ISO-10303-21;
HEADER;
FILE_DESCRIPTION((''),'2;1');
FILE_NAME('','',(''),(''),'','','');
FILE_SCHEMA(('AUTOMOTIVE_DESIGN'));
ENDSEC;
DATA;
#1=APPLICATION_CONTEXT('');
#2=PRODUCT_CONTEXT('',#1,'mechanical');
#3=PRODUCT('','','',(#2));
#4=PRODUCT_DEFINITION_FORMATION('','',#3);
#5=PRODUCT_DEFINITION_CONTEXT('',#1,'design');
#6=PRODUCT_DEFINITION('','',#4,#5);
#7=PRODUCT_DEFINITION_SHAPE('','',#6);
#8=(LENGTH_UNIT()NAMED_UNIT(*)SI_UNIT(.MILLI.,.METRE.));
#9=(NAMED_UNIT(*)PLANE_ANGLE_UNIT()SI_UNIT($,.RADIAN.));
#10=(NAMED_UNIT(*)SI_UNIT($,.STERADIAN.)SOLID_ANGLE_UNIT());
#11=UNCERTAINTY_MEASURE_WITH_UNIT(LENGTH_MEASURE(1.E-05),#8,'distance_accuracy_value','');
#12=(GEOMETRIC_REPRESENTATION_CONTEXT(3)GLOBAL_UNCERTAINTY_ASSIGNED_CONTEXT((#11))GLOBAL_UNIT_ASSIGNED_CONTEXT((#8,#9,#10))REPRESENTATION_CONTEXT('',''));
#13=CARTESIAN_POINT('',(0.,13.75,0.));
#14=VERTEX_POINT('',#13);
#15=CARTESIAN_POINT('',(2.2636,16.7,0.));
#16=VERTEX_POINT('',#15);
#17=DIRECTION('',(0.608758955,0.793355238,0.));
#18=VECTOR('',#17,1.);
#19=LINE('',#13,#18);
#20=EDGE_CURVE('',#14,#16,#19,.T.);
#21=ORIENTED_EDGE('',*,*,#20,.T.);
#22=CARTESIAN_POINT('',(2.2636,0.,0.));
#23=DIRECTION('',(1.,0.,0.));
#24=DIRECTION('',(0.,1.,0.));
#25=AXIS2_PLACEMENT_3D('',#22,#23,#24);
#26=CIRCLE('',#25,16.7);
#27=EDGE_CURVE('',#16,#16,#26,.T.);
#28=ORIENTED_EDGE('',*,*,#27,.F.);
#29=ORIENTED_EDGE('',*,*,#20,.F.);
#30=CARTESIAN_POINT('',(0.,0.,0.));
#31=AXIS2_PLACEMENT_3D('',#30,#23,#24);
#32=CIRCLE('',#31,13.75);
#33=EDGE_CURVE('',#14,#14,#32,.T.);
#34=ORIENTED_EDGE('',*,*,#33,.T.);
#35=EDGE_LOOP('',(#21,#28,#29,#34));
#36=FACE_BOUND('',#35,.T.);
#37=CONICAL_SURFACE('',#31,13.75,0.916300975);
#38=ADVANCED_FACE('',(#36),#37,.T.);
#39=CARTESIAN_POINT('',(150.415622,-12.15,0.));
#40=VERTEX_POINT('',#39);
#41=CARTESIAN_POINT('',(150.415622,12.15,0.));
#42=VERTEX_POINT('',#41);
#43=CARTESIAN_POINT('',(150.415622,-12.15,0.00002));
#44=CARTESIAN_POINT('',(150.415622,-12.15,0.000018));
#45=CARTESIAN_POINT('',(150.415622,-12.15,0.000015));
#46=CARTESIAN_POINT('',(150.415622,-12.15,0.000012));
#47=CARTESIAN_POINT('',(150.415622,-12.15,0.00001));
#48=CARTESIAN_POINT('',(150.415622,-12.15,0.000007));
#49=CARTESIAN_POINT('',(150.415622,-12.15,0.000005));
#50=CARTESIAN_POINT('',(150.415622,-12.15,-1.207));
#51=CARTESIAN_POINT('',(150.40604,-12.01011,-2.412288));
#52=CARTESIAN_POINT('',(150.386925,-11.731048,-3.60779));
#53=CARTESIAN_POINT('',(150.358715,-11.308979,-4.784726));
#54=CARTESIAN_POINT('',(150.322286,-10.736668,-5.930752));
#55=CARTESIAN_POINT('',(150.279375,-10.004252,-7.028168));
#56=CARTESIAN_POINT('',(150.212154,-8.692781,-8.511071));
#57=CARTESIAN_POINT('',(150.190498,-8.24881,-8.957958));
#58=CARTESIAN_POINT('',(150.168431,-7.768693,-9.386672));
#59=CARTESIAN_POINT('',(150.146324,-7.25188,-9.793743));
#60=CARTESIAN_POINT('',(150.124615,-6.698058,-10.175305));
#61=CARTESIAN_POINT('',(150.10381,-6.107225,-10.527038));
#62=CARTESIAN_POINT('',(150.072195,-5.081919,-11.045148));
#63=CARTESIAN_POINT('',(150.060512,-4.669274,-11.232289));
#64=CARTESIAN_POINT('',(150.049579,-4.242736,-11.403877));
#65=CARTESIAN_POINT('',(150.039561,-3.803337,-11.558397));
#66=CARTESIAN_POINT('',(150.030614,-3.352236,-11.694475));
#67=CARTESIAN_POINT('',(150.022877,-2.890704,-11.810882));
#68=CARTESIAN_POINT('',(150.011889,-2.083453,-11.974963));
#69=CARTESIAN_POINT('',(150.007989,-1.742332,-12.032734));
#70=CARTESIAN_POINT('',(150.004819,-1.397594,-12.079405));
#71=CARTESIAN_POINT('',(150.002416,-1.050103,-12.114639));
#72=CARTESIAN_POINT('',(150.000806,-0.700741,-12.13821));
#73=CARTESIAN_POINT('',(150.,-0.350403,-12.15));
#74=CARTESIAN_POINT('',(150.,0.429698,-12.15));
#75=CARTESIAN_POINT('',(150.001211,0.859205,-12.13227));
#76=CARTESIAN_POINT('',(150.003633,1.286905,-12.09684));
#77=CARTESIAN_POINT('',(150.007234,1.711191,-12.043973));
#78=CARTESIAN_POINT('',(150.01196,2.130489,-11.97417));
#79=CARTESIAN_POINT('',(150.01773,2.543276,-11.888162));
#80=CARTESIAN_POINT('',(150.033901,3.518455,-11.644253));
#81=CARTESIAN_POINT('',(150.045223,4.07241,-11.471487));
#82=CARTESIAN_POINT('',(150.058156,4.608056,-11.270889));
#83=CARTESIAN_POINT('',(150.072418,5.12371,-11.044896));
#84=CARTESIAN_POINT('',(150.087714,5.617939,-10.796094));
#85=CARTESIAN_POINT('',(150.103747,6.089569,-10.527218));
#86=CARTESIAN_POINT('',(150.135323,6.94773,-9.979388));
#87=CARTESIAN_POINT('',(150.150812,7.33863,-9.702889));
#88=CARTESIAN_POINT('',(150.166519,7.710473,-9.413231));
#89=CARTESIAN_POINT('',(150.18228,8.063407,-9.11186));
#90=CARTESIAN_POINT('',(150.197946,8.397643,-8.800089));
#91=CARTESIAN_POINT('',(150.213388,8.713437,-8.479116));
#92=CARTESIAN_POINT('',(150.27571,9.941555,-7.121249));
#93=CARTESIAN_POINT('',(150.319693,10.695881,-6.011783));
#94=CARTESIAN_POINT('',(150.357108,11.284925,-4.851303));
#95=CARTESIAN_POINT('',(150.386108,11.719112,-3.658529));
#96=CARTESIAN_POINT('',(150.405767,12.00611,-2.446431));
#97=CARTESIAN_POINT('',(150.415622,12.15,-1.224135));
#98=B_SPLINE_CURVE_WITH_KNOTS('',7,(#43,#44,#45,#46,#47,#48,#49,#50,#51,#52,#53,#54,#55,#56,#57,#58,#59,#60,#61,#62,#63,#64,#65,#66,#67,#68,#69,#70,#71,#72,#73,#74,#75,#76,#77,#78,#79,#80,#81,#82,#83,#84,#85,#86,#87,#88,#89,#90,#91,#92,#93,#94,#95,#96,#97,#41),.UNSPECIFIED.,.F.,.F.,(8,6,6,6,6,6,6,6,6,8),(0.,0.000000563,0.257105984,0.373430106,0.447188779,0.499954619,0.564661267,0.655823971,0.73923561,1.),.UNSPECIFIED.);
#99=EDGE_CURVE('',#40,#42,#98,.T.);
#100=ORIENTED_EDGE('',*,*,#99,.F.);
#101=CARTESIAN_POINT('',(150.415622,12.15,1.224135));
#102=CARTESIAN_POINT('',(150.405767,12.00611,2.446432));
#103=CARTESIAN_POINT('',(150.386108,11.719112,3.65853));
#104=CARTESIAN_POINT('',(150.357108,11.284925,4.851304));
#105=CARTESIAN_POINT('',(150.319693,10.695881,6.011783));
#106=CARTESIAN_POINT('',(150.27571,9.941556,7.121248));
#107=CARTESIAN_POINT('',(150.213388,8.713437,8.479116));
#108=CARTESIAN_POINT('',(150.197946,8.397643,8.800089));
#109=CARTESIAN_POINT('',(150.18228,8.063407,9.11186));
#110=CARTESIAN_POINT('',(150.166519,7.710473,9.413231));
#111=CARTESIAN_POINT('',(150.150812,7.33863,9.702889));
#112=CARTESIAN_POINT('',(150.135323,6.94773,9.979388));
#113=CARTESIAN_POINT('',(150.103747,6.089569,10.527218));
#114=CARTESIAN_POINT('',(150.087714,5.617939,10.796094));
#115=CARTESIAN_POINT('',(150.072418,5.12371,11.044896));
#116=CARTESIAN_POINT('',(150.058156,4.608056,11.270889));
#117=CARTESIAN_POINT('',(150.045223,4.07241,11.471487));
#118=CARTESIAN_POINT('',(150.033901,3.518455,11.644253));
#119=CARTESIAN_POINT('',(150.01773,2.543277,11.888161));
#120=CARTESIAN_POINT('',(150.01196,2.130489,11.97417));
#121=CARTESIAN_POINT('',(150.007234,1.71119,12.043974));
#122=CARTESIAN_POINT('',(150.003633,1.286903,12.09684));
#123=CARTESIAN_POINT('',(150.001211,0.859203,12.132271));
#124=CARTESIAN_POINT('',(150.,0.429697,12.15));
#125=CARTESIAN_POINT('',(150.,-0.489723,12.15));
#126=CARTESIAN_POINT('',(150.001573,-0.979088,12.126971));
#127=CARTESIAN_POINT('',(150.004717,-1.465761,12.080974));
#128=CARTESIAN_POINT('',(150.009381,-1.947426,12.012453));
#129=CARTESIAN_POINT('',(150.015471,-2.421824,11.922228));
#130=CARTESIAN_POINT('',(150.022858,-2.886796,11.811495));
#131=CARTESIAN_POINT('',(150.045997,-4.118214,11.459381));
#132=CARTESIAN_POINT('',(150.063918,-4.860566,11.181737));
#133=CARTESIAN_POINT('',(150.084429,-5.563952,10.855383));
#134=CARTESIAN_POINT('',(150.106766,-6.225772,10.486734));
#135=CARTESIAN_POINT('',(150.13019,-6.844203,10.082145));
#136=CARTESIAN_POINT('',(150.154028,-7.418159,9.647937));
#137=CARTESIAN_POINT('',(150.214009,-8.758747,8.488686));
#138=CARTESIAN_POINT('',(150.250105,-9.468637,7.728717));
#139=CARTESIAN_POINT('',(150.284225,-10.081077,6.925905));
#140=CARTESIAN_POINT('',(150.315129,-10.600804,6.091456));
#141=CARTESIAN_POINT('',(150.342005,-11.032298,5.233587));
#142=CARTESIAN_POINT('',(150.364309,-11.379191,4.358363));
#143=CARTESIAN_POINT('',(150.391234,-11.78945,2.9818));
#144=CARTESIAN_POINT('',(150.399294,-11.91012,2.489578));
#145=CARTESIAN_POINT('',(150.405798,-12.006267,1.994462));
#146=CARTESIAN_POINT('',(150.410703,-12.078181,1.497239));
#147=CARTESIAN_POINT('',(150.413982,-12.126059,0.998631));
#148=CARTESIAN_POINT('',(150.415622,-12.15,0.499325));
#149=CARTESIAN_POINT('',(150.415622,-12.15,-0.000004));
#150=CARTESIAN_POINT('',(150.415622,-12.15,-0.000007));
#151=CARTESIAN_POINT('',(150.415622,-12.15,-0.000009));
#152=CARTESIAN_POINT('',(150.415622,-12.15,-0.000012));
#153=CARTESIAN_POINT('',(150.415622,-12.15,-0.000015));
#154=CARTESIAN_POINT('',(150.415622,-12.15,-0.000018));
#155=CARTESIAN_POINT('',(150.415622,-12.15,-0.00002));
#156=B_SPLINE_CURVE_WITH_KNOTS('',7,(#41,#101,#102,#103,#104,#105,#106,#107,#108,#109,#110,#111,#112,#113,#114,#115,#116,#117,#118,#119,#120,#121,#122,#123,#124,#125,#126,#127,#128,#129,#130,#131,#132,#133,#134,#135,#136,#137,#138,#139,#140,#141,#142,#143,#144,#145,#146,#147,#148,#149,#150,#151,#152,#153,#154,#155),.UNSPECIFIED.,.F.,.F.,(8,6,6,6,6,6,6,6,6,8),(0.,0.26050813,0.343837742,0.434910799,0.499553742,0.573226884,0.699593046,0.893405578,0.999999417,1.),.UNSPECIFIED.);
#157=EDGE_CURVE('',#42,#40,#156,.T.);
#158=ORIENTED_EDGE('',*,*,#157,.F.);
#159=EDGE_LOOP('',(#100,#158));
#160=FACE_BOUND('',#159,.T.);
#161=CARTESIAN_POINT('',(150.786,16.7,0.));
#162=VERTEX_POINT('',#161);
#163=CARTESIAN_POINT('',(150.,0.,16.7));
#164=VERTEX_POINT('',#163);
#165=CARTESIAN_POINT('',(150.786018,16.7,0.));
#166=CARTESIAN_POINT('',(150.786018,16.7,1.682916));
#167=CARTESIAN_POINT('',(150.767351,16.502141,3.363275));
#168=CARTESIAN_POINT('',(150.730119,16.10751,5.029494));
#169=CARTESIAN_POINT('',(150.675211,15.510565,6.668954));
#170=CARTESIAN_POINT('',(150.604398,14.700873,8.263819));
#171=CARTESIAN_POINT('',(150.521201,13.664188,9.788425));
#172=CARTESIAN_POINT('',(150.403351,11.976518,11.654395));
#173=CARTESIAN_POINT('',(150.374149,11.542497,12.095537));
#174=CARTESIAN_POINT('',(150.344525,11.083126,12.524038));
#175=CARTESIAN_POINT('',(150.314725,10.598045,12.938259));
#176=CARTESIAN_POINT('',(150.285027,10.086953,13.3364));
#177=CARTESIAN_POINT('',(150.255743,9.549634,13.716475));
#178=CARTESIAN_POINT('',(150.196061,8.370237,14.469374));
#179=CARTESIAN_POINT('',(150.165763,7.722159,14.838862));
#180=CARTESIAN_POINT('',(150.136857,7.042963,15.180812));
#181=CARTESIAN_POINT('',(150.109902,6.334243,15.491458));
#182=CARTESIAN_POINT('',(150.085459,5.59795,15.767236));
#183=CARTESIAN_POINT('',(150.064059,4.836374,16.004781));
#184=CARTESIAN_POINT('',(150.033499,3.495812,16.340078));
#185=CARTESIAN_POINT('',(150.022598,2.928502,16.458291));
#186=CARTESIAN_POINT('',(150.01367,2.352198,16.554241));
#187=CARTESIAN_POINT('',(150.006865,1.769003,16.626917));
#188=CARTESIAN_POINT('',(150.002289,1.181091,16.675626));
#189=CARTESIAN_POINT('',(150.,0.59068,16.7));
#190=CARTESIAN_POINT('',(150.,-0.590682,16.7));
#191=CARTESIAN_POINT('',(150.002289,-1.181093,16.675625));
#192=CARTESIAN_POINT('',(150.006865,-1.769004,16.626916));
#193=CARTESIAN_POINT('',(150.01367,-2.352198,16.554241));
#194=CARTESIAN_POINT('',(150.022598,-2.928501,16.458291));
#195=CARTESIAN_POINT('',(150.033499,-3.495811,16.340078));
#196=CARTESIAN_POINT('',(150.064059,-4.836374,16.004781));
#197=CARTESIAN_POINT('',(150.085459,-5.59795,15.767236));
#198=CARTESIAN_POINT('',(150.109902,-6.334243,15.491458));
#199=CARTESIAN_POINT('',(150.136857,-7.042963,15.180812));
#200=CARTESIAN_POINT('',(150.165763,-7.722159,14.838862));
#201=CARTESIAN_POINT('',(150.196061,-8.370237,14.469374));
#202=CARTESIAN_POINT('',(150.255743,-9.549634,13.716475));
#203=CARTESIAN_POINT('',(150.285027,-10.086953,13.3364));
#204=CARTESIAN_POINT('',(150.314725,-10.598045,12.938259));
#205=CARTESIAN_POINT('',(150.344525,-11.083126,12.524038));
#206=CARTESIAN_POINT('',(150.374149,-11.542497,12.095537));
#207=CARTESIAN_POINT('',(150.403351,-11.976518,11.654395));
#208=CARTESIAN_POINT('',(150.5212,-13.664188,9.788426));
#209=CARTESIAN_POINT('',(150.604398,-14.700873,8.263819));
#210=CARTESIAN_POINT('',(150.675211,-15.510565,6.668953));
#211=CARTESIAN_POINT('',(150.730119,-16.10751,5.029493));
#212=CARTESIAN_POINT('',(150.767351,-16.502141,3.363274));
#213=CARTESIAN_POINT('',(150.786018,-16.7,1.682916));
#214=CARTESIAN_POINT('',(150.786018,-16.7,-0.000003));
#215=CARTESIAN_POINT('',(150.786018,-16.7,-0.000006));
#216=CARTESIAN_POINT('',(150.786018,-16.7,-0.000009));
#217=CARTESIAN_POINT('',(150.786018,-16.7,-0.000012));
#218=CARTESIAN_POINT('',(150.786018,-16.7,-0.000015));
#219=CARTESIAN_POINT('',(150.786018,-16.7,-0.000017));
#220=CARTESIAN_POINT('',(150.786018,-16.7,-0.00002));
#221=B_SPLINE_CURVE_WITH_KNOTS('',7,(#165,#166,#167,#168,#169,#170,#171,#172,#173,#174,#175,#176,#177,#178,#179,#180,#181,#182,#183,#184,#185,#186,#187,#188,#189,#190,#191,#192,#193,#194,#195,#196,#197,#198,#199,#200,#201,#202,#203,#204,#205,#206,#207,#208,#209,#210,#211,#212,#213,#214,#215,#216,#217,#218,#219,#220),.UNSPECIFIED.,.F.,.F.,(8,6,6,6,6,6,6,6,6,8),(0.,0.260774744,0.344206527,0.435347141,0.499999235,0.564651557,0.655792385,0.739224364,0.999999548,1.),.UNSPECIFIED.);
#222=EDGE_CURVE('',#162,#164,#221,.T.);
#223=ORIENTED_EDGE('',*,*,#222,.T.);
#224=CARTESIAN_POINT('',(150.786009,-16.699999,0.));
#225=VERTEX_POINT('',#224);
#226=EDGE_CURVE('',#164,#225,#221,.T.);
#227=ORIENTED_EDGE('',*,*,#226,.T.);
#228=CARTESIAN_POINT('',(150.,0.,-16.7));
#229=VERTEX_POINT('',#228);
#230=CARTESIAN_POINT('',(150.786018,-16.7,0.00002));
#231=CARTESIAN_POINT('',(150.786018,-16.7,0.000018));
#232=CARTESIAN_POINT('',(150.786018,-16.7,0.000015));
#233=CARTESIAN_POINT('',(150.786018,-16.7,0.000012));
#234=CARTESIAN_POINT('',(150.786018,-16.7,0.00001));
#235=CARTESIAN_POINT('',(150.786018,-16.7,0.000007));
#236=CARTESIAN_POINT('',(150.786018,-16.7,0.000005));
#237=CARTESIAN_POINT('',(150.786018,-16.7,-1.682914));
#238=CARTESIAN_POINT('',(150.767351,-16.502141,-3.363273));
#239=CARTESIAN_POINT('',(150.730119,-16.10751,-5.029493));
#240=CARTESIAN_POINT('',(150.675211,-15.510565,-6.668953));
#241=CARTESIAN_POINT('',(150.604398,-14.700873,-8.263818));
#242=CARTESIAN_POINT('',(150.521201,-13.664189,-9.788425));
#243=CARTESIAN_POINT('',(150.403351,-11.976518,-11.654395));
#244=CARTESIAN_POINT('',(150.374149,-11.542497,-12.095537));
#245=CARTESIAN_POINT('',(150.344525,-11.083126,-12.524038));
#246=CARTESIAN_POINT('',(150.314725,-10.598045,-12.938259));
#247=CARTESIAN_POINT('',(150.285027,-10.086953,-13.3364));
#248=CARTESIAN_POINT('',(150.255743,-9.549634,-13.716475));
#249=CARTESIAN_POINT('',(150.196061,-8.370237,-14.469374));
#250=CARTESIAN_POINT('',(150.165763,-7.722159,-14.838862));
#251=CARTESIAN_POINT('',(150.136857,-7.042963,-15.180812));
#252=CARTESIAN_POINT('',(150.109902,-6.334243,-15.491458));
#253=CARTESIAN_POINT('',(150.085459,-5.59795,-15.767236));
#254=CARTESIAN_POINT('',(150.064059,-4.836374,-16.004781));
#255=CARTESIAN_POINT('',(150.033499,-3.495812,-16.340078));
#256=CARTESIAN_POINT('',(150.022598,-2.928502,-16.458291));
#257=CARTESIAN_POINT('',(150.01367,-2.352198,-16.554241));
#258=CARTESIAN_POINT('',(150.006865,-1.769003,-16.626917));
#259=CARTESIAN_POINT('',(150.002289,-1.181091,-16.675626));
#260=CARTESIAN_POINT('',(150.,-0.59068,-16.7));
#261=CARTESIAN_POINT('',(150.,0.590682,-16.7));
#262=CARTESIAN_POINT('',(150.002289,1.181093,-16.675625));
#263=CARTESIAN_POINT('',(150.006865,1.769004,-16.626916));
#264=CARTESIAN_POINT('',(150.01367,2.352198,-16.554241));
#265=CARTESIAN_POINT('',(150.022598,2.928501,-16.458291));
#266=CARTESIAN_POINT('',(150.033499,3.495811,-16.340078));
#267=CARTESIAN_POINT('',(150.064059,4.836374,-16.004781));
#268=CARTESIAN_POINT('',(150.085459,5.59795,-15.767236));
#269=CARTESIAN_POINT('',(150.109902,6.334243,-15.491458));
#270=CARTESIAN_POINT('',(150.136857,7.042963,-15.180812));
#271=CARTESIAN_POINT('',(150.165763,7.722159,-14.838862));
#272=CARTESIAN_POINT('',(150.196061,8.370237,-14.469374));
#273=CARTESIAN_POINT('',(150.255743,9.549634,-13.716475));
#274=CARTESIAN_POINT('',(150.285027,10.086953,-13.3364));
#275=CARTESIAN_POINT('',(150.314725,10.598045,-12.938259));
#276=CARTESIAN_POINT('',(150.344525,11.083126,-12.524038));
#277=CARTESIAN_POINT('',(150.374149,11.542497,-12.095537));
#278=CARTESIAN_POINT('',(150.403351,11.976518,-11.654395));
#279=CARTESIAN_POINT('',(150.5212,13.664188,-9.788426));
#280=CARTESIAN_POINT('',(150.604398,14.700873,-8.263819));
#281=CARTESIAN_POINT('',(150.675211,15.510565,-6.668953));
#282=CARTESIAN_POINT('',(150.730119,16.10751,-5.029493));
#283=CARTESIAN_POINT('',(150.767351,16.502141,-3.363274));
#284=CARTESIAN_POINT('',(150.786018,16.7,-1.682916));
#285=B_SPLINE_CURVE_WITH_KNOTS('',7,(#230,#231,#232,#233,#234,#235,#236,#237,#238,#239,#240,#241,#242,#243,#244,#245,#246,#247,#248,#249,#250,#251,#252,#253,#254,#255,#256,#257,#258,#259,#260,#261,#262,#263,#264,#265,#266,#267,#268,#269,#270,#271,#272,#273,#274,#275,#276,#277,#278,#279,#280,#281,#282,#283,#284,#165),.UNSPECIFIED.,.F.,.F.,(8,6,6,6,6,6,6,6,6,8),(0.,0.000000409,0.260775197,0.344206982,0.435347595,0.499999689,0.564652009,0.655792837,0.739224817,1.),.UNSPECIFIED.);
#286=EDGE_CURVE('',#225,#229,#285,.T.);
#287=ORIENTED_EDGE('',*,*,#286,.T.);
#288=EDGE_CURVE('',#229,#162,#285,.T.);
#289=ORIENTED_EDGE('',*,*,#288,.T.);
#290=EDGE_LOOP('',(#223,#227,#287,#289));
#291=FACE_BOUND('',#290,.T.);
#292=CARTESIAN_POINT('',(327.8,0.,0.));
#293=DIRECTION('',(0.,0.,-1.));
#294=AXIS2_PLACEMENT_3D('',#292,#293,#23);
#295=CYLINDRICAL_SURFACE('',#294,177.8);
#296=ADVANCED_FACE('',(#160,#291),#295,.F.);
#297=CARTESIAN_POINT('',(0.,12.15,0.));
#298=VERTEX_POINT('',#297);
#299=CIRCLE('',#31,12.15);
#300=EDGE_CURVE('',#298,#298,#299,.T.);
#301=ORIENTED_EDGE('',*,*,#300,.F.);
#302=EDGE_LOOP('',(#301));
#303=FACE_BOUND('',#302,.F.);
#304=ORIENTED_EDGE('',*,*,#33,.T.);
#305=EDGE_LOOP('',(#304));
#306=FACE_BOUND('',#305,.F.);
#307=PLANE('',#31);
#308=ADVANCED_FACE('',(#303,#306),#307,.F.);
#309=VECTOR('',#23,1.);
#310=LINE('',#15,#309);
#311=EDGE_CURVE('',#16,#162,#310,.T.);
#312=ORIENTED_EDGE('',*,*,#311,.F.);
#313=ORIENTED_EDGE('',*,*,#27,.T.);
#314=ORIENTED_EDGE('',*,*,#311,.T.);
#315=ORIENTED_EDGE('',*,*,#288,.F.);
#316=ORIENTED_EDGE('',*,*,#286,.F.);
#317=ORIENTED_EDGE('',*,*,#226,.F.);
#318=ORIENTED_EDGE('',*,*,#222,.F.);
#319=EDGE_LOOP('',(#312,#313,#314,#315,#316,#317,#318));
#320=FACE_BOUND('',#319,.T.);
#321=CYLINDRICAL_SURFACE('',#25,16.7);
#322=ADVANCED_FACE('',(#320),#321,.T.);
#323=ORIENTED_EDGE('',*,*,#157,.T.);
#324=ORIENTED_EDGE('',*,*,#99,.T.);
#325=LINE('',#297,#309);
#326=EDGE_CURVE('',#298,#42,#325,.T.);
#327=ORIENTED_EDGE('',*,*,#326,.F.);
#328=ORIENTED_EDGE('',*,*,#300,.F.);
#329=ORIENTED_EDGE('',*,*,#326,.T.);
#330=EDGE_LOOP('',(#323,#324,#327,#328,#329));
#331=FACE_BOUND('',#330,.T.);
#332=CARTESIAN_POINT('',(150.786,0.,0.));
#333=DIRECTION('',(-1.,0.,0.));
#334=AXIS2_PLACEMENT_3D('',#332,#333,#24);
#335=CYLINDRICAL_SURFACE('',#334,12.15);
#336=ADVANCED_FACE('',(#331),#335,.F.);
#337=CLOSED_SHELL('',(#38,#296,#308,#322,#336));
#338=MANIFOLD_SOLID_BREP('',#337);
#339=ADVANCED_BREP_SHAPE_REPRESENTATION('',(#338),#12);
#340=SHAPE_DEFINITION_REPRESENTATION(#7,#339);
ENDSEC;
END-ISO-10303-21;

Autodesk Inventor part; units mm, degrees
ref_plane "YZ Plane" through (0, 0, 0) normal (1, 0, 0) x (0, 1, 0)
ref_plane "XZ Plane" through (0, 0, 0) normal (0, 1, 0) x (-1, 0, 0)
ref_plane "XY Plane" through (0, 0, 0) normal (0, 0, 1) x (1, 0, 0)
sketch "Sketch2" plane through (0, 0, 0) normal (0, 0, 1) x (1, 0, 0)
  circle A0 centre (327.8, 0) radius 177.8
  point P0 (0, 0)
  dimension "d12" = 355.6
  dimension "d13" = 327.8
sketch "Sketch1" plane through (0, 0, 0) normal (0, 0, 1) x (1, 0, 0)
  line L0 (0, 0) -> (304, 0)
  line L1 (0, 13.75) -> (2.2636, 16.7)
  line L2 (2.2636, 16.7) -> (150.786, 16.7)
  line L3 (150.786, 16.7) -> (150.786, 12.15)
  line L4 (150.786, 12.15) -> (0, 12.15)
  circle A0 centre (327.8, 0) radius 177.8 projected
  line L5 (0, 13.75) -> (0, 12.15)
  dimension "d1" = 33.4
  dimension "d2" = 24.3
  dimension "d4" = 1.6
  dimension "d27" = 37.5
revolve "Revolution1" add sketch "Sketch1" angle 360 about axis through (0, 0, 0) along (1, 0, 0) picked at (150.7405, 14.6781) contours L1 L2 A0 L4 L5 | L3 L4 A0
extrude "Extrusion1" cut sketch "Sketch2" along normal mid plane 33.4
properties part number "Nozzle 1 in drain" material "Steel, Alloy"
